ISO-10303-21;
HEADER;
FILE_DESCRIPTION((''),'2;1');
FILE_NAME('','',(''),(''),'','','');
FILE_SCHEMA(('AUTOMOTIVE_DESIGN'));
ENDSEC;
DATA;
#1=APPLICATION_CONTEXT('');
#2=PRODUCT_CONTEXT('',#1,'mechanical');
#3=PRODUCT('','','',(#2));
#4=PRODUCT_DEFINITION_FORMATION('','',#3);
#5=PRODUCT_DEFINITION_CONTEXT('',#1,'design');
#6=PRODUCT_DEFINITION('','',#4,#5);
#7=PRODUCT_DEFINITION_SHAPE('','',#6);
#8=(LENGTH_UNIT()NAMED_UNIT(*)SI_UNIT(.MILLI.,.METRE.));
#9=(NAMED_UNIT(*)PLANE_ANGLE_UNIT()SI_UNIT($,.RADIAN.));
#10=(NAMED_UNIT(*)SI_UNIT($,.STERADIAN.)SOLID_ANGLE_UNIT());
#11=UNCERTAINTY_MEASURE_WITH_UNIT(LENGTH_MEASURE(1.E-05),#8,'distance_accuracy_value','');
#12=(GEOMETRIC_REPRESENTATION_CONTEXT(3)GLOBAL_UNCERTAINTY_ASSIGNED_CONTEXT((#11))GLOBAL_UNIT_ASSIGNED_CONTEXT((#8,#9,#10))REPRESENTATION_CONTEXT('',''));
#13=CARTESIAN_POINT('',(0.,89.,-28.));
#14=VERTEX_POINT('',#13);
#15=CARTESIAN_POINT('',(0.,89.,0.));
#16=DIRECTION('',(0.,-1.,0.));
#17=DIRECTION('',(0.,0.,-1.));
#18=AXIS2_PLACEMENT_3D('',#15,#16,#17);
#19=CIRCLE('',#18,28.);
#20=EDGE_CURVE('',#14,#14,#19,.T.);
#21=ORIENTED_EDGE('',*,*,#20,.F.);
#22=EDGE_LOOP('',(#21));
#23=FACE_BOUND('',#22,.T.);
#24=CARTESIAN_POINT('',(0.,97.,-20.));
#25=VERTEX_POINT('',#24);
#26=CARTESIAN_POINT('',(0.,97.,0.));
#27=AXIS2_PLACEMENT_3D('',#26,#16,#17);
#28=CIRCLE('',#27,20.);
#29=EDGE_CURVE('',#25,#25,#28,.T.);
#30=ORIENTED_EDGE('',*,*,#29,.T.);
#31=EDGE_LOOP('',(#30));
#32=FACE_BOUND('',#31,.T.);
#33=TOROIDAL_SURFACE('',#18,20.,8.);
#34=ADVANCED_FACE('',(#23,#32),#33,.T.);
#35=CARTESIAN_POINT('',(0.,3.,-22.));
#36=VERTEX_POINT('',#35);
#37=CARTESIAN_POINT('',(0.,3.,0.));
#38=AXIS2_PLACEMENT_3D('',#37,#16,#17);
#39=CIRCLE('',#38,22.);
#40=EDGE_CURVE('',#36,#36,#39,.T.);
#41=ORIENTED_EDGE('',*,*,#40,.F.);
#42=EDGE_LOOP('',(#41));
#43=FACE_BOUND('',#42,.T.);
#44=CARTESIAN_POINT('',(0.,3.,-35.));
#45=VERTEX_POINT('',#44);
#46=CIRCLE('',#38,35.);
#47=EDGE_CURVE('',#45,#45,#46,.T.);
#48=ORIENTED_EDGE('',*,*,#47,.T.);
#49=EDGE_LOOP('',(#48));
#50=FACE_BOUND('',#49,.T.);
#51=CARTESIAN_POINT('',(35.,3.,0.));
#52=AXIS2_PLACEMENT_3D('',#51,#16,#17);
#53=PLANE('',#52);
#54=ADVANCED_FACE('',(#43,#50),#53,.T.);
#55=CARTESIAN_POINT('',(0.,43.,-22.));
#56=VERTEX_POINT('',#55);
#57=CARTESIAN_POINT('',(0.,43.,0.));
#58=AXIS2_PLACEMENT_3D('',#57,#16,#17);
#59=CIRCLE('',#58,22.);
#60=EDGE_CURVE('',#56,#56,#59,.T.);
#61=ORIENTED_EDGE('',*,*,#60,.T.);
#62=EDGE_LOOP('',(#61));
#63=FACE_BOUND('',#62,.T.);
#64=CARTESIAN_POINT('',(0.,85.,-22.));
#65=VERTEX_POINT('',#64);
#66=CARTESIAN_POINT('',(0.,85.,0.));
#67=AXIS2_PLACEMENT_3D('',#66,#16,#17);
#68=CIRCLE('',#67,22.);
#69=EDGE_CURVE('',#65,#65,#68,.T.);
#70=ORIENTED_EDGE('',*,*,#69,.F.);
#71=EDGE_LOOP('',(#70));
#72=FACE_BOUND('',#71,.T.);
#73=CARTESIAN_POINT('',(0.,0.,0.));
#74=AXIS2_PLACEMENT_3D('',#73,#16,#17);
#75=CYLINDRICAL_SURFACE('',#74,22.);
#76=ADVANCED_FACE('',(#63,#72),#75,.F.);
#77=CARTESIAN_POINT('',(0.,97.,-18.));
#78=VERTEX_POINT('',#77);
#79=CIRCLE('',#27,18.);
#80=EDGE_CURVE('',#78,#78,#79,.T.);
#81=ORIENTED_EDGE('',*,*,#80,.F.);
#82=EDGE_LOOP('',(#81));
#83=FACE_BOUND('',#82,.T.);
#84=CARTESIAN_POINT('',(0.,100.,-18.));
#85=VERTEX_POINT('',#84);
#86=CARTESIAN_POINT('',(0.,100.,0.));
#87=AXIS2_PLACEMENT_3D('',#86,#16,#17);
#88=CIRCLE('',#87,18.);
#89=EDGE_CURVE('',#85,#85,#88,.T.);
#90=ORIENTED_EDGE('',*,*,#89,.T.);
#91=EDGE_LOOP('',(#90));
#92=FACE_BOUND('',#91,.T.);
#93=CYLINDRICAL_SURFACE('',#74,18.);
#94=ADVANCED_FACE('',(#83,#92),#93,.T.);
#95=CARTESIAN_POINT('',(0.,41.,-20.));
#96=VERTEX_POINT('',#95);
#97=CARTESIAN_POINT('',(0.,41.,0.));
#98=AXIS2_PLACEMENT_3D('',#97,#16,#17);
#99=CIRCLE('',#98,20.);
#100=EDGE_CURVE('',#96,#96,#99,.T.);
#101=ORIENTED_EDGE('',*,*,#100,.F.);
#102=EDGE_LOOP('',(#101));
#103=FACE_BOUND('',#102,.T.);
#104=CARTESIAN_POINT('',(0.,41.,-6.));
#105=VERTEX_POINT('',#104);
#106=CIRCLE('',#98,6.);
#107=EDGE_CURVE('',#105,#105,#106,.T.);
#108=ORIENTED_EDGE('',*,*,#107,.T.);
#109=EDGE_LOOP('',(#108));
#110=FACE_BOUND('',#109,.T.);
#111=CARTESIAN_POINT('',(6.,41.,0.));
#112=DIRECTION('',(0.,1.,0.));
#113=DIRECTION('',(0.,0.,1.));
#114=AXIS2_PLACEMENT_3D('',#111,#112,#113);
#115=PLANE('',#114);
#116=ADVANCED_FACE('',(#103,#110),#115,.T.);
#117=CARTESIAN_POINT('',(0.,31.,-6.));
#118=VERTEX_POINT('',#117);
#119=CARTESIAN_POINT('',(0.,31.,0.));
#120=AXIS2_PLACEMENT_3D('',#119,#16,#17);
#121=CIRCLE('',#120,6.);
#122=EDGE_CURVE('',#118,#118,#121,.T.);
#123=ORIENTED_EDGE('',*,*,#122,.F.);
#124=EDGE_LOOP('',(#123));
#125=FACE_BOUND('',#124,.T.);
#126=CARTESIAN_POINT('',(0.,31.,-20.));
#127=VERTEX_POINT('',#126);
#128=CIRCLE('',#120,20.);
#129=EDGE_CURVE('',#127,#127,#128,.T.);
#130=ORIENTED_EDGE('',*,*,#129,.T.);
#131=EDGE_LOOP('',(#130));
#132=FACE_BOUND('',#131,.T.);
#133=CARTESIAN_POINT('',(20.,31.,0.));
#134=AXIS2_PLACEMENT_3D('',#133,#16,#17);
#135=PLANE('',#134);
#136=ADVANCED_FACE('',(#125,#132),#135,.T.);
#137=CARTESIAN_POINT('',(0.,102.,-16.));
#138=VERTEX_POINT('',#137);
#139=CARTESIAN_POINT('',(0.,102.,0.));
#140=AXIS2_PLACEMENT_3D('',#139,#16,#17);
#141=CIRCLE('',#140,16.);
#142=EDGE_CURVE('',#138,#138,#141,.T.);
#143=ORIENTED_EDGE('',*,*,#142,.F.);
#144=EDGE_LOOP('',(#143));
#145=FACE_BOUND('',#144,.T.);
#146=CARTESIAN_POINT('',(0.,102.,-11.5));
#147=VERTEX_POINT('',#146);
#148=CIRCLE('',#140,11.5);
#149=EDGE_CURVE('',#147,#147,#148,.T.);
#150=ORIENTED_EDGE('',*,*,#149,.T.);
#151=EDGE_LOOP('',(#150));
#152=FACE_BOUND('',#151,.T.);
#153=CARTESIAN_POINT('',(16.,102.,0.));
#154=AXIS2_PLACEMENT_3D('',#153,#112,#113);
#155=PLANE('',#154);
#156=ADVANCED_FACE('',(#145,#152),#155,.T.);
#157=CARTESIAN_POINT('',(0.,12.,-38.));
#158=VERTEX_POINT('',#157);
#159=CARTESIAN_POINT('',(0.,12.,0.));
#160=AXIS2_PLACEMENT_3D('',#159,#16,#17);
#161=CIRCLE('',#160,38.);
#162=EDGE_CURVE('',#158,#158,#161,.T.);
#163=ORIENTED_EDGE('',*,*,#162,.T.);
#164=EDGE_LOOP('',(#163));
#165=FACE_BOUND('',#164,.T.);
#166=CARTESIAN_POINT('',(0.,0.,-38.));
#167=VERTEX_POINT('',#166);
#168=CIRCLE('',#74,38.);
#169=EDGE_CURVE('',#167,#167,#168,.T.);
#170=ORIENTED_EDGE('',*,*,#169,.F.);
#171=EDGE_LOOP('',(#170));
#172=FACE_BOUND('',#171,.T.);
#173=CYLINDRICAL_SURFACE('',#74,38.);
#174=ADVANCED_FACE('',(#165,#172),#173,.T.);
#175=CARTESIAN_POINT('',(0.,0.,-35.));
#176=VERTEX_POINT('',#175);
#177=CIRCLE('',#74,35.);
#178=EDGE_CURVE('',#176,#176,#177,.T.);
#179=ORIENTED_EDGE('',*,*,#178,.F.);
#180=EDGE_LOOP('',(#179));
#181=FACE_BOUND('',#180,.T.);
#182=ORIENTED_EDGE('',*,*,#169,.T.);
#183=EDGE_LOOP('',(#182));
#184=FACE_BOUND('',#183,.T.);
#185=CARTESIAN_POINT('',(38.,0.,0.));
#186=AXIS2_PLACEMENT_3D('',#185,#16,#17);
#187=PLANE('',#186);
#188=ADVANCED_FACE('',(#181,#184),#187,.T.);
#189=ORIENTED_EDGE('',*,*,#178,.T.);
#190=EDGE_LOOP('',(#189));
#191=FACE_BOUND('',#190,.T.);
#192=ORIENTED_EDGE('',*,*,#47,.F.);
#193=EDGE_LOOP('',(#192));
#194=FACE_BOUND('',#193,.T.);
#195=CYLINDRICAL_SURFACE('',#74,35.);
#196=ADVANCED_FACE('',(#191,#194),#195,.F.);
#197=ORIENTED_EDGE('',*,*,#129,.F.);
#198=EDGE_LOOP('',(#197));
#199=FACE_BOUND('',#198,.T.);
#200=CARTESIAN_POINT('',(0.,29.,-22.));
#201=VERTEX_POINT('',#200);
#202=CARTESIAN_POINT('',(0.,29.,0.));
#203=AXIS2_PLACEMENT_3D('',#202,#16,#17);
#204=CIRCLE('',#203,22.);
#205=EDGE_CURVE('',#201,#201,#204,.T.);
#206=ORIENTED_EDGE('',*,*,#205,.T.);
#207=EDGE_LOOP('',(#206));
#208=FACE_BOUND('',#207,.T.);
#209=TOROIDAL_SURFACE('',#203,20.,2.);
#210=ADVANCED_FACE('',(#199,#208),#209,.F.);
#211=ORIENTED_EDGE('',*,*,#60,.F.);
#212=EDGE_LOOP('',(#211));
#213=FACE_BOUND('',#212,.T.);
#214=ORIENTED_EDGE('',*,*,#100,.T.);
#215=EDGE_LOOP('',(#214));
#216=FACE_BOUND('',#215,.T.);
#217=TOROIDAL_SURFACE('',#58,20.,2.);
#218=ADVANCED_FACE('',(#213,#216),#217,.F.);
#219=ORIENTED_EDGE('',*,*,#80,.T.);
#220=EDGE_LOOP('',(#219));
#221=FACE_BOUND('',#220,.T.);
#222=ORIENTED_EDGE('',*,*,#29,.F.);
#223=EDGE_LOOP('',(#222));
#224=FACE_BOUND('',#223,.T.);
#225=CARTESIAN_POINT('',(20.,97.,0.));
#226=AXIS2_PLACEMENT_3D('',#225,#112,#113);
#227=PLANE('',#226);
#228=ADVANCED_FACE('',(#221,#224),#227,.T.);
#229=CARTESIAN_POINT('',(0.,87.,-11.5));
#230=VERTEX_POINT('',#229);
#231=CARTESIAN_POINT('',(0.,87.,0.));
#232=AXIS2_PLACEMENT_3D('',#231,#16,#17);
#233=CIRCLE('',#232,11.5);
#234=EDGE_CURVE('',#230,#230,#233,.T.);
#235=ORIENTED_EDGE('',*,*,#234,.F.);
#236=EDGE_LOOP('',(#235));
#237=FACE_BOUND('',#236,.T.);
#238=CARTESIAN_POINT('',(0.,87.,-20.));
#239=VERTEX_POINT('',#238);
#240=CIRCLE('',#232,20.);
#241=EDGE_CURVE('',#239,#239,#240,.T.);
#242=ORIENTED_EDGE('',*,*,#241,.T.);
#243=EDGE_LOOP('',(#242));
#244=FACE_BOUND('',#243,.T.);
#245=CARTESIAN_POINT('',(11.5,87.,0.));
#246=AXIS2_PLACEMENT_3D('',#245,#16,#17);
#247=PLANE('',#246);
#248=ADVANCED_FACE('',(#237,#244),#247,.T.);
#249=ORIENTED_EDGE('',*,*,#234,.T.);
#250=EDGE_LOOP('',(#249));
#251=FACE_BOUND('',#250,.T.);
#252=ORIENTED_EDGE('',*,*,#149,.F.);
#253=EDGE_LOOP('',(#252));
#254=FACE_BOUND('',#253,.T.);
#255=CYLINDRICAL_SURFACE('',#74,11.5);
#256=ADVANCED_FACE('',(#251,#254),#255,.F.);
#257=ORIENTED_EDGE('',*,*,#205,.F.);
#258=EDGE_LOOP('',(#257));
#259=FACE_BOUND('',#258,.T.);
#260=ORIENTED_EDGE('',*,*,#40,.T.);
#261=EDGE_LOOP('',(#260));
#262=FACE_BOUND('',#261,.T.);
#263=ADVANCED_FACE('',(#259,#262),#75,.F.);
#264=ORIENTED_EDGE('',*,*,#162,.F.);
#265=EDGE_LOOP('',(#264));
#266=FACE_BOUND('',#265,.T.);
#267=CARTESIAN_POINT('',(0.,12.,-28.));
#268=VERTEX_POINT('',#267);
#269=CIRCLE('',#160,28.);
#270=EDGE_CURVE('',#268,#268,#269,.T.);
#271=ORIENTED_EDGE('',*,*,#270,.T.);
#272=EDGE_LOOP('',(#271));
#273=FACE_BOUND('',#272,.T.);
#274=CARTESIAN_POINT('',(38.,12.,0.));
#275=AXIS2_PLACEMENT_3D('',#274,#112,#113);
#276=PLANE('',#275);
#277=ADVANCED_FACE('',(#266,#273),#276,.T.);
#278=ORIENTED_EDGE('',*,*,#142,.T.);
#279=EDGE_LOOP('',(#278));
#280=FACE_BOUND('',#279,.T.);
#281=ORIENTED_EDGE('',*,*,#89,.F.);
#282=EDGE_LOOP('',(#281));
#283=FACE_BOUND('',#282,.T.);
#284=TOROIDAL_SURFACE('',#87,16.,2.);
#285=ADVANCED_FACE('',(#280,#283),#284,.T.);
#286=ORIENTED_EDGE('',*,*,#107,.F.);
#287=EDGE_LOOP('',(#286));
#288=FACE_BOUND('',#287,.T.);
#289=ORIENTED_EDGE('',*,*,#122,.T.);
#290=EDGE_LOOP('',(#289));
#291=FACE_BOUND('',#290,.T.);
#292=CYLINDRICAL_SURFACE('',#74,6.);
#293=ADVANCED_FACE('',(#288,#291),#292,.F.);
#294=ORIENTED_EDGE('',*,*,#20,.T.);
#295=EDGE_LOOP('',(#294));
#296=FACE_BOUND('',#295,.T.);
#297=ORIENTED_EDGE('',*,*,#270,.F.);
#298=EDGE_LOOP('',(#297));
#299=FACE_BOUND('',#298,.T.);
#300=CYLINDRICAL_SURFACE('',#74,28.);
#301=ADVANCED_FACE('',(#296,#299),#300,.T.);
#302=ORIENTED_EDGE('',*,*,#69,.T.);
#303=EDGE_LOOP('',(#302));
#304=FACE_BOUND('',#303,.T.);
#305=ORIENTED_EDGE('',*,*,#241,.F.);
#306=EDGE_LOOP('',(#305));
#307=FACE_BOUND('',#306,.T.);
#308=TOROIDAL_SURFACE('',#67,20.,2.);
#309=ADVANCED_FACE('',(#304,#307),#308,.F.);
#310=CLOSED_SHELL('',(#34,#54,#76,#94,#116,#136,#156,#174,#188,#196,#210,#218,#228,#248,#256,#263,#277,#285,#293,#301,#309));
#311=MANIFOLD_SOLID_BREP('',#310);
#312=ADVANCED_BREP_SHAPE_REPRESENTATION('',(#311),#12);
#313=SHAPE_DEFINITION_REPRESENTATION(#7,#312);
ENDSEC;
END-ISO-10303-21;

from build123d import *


with BuildPart() as part:
    # Çizim1 → Döndür1 (revolve)
    with BuildSketch(Plane.XY):
        with BuildLine():
            Line((38, 0), (38, 12))
            Line((38, 12), (28, 12))
            Line((28, 12), (28, 89))
            ThreePointArc((28, 89), (25.656854249, 94.656854249), (20, 97))
            Line((20, 97), (18, 97))
            Line((18, 97), (18, 100))
            ThreePointArc((18, 100), (17.414213562, 101.414213562), (16, 102))
            Line((16, 102), (11.5, 102))
            Line((11.5, 102), (11.5, 87))
            Line((11.5, 87), (20, 87))
            ThreePointArc((20, 87), (21.414213562, 86.414213562), (22, 85))
            Line((22, 85), (22, 43))
            ThreePointArc((22, 43), (21.414213562, 41.585786438), (20, 41))
            Line((20, 41), (6, 41))
            Line((6, 41), (6, 31))
            Line((6, 31), (20, 31))
            ThreePointArc((20, 31), (21.414213562, 30.414213562), (22, 29))
            Line((22, 29), (22, 3))
            Line((22, 3), (35, 3))
            Line((35, 3), (35, 0))
            Line((35, 0), (38, 0))
        make_face()
    revolve(axis=Axis((0, 0, 0), (0, 1, 0)))


solid = part.part
